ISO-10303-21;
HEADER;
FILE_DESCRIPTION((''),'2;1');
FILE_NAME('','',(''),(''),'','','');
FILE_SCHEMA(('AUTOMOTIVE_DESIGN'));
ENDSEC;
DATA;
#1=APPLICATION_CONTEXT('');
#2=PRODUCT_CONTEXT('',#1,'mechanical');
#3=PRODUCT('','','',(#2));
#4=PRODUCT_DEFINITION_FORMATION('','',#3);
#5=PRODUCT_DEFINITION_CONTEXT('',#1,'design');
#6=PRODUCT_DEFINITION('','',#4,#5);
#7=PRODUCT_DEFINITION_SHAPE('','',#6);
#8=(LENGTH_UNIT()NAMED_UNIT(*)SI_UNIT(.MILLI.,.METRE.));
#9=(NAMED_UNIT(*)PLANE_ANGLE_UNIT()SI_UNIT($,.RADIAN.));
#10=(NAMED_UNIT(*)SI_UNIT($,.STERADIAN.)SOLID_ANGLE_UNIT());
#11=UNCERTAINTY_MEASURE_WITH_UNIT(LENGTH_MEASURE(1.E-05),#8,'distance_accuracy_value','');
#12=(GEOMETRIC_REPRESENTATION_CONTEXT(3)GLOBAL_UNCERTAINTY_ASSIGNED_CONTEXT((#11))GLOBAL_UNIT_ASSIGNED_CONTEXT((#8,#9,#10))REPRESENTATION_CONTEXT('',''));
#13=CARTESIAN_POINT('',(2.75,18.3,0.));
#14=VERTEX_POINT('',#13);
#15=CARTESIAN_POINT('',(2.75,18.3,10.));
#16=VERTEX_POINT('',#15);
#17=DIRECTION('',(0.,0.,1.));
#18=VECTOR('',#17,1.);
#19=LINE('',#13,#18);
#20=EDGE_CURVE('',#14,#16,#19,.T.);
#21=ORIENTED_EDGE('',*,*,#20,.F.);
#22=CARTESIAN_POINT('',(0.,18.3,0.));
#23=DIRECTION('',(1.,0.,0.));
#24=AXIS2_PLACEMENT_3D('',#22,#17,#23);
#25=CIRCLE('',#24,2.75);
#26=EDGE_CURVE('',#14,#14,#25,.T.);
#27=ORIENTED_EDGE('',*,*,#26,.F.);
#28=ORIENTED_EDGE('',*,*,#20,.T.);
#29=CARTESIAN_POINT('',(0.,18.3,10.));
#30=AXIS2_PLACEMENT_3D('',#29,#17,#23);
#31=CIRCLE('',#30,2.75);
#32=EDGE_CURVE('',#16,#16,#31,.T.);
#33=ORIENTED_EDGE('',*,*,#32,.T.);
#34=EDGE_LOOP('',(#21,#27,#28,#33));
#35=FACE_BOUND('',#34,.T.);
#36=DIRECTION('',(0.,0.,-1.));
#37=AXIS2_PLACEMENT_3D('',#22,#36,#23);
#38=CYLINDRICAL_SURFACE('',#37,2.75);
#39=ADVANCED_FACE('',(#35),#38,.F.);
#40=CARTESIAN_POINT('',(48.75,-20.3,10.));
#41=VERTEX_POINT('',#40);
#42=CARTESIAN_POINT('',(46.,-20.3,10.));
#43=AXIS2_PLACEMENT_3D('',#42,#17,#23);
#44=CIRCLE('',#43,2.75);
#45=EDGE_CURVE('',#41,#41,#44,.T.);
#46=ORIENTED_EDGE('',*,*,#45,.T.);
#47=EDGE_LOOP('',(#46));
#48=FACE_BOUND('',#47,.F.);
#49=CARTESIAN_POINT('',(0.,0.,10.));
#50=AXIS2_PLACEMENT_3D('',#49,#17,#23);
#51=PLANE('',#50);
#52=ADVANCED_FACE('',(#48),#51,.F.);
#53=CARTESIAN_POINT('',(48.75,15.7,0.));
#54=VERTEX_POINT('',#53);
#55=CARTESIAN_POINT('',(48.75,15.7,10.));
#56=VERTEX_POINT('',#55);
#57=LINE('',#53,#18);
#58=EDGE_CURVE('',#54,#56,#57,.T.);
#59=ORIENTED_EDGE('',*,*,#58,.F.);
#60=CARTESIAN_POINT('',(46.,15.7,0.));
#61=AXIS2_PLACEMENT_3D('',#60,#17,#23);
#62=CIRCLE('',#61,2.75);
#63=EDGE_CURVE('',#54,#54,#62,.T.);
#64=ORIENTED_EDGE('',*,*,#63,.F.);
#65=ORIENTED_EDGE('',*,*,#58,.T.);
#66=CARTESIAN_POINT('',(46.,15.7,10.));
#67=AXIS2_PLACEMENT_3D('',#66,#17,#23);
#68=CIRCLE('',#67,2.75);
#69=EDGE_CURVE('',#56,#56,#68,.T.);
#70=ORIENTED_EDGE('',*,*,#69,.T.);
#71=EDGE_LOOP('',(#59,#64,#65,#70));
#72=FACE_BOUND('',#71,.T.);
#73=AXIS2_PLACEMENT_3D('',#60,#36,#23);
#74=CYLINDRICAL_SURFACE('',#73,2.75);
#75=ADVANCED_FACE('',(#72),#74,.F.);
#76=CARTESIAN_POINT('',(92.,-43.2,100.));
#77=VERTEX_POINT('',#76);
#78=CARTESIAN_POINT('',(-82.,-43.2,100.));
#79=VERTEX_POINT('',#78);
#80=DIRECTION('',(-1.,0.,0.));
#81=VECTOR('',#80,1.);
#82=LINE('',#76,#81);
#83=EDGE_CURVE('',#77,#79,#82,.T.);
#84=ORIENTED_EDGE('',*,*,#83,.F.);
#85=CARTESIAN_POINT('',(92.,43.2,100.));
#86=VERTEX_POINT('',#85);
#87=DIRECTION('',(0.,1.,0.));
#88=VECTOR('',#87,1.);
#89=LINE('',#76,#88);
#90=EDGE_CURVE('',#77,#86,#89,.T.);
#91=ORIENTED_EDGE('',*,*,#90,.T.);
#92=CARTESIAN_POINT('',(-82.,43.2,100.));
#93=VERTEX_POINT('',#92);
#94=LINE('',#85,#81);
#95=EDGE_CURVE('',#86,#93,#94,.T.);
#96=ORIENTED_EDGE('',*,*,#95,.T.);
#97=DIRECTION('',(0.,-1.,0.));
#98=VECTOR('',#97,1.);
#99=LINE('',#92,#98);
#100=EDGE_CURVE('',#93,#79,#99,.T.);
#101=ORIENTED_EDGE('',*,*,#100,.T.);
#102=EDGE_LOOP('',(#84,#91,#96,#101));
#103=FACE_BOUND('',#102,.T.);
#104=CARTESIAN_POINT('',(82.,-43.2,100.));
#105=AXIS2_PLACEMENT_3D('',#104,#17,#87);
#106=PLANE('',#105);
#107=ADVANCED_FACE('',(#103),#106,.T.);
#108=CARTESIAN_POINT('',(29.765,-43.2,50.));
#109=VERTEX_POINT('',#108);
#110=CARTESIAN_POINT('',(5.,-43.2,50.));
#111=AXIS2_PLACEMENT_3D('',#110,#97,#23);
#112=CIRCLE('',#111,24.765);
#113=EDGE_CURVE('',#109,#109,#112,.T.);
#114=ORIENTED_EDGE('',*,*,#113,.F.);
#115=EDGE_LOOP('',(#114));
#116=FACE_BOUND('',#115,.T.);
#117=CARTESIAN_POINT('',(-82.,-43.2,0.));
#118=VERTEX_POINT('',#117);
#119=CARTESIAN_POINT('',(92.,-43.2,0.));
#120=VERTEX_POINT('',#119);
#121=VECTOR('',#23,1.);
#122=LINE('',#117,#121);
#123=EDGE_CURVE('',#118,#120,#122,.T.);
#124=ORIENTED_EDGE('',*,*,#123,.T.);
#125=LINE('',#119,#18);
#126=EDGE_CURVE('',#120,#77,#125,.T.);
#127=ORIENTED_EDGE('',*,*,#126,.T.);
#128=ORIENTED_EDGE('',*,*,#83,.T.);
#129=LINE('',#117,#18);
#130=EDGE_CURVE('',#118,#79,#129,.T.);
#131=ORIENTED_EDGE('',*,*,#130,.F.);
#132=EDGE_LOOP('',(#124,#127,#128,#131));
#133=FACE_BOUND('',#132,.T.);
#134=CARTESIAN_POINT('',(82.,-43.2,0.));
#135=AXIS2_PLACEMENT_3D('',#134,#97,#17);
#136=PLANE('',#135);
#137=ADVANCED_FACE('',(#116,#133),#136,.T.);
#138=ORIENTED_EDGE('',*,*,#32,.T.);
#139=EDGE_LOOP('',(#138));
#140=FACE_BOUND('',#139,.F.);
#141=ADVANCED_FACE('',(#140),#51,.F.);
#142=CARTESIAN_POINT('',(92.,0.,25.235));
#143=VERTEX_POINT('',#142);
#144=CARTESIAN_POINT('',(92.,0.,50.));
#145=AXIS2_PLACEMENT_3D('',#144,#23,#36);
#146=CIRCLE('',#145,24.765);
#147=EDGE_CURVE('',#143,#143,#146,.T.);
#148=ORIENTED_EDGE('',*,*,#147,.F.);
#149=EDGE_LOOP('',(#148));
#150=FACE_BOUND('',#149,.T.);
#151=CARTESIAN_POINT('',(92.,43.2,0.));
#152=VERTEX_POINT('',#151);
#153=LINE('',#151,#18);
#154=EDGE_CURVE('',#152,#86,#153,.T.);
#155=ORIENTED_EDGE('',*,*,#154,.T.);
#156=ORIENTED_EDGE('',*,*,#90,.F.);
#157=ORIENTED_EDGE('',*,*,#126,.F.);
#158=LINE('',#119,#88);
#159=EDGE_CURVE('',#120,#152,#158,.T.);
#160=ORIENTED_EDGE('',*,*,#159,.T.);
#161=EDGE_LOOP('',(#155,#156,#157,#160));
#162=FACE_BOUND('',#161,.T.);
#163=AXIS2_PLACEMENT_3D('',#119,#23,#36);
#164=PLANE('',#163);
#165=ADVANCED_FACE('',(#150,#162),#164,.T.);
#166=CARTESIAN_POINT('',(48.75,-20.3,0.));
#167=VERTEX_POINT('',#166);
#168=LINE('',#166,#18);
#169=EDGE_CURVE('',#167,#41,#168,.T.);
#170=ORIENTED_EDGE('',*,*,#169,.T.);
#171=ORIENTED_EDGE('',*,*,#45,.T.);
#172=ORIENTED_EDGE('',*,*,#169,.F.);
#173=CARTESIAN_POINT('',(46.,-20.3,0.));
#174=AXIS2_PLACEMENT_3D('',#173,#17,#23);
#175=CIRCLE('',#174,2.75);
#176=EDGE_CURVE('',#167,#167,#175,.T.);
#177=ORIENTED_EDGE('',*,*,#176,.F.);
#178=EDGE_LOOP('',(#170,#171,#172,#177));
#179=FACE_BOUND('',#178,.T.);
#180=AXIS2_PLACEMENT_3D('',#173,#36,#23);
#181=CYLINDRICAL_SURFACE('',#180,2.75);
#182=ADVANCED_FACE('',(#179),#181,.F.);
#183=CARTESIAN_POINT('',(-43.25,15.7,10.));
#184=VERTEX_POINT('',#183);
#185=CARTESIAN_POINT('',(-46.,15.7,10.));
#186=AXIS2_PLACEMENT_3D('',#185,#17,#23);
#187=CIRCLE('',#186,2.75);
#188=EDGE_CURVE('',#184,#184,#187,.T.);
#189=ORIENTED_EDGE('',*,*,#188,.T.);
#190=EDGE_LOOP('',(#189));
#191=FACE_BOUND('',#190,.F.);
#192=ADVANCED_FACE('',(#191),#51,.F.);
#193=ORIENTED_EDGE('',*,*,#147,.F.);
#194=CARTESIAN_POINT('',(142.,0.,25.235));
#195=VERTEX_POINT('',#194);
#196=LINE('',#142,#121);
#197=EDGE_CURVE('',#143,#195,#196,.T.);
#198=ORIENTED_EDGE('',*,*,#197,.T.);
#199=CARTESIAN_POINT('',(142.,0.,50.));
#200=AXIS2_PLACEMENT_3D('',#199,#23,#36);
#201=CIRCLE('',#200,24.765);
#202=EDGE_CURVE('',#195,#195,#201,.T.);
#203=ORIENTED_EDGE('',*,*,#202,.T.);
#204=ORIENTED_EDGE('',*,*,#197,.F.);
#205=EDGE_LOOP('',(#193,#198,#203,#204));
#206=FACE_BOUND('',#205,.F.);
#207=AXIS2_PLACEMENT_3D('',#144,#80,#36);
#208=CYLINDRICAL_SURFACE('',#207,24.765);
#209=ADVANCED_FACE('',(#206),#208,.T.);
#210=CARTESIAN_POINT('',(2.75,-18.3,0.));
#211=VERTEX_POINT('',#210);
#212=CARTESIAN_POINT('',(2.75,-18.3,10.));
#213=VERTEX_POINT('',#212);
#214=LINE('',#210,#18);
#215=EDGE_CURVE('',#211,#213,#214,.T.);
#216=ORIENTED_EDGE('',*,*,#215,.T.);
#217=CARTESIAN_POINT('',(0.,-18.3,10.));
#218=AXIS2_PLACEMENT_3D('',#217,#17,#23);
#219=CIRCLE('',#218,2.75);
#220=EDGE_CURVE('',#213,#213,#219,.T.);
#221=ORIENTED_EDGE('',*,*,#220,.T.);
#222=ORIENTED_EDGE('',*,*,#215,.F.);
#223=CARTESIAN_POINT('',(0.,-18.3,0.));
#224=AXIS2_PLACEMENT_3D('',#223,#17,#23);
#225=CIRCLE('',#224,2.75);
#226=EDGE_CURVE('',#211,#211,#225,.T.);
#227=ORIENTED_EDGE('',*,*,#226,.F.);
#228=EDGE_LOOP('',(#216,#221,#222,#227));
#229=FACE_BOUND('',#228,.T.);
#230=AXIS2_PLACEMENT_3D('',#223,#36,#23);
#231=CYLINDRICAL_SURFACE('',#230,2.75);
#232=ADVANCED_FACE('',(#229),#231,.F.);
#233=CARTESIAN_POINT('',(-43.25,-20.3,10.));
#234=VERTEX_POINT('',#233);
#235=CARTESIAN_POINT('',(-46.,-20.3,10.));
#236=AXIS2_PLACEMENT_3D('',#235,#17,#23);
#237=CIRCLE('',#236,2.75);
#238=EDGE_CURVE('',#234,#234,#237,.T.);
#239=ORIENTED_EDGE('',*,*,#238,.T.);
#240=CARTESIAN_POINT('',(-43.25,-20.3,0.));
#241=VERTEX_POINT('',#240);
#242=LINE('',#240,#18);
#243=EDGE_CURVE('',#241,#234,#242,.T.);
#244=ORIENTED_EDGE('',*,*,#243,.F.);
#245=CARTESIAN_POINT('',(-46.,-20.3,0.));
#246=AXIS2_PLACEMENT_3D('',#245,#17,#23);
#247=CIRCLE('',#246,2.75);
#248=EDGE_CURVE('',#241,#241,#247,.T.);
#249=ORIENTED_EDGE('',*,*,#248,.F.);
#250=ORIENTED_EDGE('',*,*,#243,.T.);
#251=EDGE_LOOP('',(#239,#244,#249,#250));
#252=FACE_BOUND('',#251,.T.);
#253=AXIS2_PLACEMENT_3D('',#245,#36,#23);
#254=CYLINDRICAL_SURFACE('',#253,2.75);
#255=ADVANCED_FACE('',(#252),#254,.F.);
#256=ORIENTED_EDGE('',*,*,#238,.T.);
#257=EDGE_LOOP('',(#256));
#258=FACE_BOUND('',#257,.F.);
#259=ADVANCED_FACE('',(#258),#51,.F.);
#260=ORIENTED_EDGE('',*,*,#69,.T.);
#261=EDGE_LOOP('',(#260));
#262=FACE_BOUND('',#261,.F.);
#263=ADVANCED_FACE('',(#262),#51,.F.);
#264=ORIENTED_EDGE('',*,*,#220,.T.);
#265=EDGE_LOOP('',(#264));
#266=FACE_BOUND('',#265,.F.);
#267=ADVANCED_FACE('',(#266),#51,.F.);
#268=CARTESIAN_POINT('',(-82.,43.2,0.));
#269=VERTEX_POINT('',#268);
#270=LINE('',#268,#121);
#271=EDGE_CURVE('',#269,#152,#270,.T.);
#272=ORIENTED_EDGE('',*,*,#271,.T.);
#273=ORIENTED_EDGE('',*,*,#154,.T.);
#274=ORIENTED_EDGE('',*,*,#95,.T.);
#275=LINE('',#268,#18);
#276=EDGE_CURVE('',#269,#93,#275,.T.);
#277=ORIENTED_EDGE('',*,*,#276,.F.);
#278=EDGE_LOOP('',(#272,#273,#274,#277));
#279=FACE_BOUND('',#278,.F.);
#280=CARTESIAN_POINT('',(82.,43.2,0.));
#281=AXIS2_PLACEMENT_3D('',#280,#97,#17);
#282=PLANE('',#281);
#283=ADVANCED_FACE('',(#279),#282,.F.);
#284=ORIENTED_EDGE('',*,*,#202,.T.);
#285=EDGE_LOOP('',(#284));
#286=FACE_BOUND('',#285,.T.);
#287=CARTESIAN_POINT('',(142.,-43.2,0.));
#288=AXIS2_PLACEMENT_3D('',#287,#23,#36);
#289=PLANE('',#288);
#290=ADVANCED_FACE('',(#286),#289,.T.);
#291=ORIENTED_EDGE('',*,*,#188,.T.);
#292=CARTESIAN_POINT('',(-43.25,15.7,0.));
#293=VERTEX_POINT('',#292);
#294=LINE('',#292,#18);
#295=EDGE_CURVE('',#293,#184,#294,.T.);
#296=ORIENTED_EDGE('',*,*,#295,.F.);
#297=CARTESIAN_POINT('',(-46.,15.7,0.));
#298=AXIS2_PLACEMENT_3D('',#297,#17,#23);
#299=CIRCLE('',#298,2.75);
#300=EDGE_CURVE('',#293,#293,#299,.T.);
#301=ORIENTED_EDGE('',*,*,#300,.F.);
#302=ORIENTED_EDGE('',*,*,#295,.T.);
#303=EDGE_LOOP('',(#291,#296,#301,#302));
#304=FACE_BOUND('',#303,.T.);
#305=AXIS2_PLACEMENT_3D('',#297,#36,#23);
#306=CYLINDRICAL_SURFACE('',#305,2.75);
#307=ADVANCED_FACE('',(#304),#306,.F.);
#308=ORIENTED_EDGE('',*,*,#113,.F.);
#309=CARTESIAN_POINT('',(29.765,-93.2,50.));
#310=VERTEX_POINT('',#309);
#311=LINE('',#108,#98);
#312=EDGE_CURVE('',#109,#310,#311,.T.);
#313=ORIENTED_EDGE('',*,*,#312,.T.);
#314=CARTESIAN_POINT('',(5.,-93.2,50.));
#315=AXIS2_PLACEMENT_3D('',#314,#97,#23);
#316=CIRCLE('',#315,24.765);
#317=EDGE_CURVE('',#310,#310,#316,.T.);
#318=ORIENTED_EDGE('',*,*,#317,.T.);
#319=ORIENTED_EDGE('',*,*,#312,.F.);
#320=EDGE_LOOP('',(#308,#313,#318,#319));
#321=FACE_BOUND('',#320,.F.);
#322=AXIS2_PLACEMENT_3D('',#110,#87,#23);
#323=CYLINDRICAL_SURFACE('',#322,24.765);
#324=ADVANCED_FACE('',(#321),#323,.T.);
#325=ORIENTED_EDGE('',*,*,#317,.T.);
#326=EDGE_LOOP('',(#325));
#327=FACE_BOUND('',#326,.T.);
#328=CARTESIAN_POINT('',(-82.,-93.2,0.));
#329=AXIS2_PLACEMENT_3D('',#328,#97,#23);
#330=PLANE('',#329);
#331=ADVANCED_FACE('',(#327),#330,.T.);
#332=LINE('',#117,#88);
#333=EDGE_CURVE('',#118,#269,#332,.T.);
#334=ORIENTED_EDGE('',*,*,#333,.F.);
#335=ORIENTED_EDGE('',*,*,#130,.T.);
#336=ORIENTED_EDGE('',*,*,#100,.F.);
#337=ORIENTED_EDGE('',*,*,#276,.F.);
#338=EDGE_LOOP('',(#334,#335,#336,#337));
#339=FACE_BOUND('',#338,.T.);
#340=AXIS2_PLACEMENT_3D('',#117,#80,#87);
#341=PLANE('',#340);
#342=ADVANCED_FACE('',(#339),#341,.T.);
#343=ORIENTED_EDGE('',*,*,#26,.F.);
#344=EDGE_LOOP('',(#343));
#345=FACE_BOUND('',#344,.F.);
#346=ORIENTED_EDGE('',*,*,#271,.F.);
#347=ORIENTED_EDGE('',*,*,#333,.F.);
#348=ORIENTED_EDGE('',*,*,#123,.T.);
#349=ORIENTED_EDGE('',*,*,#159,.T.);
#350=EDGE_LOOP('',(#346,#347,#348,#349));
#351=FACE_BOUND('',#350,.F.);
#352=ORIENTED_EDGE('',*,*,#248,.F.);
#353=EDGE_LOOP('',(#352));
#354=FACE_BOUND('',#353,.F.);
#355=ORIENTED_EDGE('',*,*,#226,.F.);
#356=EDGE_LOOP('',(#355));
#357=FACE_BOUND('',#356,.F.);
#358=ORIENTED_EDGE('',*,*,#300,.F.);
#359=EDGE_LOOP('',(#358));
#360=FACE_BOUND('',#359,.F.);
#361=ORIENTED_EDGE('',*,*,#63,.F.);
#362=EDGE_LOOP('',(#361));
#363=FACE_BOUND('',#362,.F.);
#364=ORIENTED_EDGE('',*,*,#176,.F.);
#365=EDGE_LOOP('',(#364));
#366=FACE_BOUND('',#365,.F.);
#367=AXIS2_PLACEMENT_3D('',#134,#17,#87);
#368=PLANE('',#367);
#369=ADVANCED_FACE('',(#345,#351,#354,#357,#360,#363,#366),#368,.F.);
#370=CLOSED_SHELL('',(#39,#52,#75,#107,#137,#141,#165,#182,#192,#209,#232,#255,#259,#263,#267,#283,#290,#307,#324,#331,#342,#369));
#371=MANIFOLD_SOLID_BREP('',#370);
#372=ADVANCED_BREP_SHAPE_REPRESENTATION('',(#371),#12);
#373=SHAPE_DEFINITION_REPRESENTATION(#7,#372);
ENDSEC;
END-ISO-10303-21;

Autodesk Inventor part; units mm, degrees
ref_plane "YZ Plane" through (0, 0, 0) normal (1, 0, 0) x (0, 1, 0)
ref_plane "XZ Plane" through (0, 0, 0) normal (0, 1, 0) x (-1, 0, 0)
ref_plane "XY Plane" through (0, 0, 0) normal (0, 0, 1) x (1, 0, 0)
sketch "Sketch1" plane through (0, 0, 0) normal (0, 0, 1) x (1, 0, 0)
  line L0 (-13.5, 24) -> (13.5, 24) construction
  line L1 (13.5, 24) -> (13.5, -24) construction
  line L2 (13.5, -24) -> (-13.5, -24) construction
  line L3 (-13.5, -24) -> (-13.5, 24) construction
  line L4 (-13.5, 0) -> (13.5, 0) construction
  line L5 (0, -24) -> (0, 24) construction
  circle A0 centre (0, 18.3) radius 2.75
  circle A1 centre (0, -18.3) radius 2.75
  line L6 (-60, 21.2) -> (-32, 21.2) construction
  line L7 (-32, 21.2) -> (-32, -25.8) construction
  line L8 (-32, -25.8) -> (-60, -25.8) construction
  line L9 (-60, -25.8) -> (-60, 21.2) construction
  line L10 (-46, 21.2) -> (-46, -25.8) construction
  line L11 (-60, -2.3) -> (-32, -2.3) construction
  circle A2 centre (-46, 15.7) radius 2.75
  circle A3 centre (-46, -20.3) radius 2.75
  circle A4 centre (46, 15.7) radius 2.75
  circle A5 centre (46, -20.3) radius 2.75
  line L12 (-82, 43.2) -> (82, 43.2)
  line L13 (82, 43.2) -> (82, -43.2)
  line L14 (82, -43.2) -> (-82, -43.2)
  line L15 (-82, -43.2) -> (-82, 43.2)
  point P0 (0, 0)
  point P1 (0, 0)
  dimension "d0" = 27
  dimension "d1" = 48
  dimension "d2" = 5.5
  dimension "d3" = 36.6
  dimension "d4" = 28
  dimension "d5" = 47
  dimension "d7" = 2.3
  dimension "d8" = 46
  dimension "d9" = 5.5
  dimension "d10" = 36
  dimension "d11" = 22
  dimension "d19" = 43.2
extrude "Extrusion1" add sketch "Sketch1" along normal blind 10
sketch "Sketch3" plane through (0, 0, 10) normal (0, 0, 1) x (1, 0, 0)
  line L0 (-82, 43.2) -> (-82, -43.2) projected
  line L1 (-82, -43.2) -> (82, -43.2) projected
  line L2 (-82, 43.2) -> (82, 43.2)
  line L3 (82, 43.2) -> (82, -43.2)
  line L4 (82, -43.2) -> (-82, -43.2)
  line L5 (-82, -43.2) -> (-82, 43.2)
  point P0 (0, 0)
extrude "Extrusion3" add sketch "Sketch3" along normal blind 90
sketch "Sketch7" plane through (82, -43.2, 0) normal (1, 0, 0) x (0, 0, -1)
  line L0 (0, 0) -> (0, 86.4) projected
  line L1 (0, 86.4) -> (-100, 86.4) projected
  line L2 (-100, 0) -> (-100, 86.4) projected
  line L3 (0, 0) -> (-100, 0) projected
  point P0 (0, 43.2)
extrude "Extrusion7" add sketch "Sketch7" along normal blind 10
sketch "Sketch8" plane through (92, -43.2, 0) normal (1, 0, 0) x (0, 0, -1)
  line L0 (-100, 86.4) -> (-100, 0) construction
  line L1 (-100, 43.2) -> (0, 43.2) construction
  line L2 (0, 86.4) -> (-100, 86.4) construction
  line L3 (-50, 86.4) -> (-50, 0) construction
  circle A0 centre (-50, 43.2) radius 24.765
  dimension "d30" = 49.53
extrude "Extrusion8" add sketch "Sketch8" along normal blind 50
sketch "Sketch9" plane through (-82, -43.2, 0) normal (0, -1, 0) x (1, 0, 0)
  line L0 (174, 100) -> (174, 0) construction
  line L1 (174, 50) -> (0, 50) construction
  line L2 (0, 0) -> (0, 100) construction
  line L3 (0, 0) -> (174, 0) construction
  line L4 (87, 0) -> (87, 100) construction
  line L5 (0, 100) -> (174, 100) construction
  circle A0 centre (87, 50) radius 24.765
  point P0 (82, 0)
  dimension "d33" = 49.53
extrude "Extrusion9" add sketch "Sketch9" along normal blind 50
properties part number "aux_L"
